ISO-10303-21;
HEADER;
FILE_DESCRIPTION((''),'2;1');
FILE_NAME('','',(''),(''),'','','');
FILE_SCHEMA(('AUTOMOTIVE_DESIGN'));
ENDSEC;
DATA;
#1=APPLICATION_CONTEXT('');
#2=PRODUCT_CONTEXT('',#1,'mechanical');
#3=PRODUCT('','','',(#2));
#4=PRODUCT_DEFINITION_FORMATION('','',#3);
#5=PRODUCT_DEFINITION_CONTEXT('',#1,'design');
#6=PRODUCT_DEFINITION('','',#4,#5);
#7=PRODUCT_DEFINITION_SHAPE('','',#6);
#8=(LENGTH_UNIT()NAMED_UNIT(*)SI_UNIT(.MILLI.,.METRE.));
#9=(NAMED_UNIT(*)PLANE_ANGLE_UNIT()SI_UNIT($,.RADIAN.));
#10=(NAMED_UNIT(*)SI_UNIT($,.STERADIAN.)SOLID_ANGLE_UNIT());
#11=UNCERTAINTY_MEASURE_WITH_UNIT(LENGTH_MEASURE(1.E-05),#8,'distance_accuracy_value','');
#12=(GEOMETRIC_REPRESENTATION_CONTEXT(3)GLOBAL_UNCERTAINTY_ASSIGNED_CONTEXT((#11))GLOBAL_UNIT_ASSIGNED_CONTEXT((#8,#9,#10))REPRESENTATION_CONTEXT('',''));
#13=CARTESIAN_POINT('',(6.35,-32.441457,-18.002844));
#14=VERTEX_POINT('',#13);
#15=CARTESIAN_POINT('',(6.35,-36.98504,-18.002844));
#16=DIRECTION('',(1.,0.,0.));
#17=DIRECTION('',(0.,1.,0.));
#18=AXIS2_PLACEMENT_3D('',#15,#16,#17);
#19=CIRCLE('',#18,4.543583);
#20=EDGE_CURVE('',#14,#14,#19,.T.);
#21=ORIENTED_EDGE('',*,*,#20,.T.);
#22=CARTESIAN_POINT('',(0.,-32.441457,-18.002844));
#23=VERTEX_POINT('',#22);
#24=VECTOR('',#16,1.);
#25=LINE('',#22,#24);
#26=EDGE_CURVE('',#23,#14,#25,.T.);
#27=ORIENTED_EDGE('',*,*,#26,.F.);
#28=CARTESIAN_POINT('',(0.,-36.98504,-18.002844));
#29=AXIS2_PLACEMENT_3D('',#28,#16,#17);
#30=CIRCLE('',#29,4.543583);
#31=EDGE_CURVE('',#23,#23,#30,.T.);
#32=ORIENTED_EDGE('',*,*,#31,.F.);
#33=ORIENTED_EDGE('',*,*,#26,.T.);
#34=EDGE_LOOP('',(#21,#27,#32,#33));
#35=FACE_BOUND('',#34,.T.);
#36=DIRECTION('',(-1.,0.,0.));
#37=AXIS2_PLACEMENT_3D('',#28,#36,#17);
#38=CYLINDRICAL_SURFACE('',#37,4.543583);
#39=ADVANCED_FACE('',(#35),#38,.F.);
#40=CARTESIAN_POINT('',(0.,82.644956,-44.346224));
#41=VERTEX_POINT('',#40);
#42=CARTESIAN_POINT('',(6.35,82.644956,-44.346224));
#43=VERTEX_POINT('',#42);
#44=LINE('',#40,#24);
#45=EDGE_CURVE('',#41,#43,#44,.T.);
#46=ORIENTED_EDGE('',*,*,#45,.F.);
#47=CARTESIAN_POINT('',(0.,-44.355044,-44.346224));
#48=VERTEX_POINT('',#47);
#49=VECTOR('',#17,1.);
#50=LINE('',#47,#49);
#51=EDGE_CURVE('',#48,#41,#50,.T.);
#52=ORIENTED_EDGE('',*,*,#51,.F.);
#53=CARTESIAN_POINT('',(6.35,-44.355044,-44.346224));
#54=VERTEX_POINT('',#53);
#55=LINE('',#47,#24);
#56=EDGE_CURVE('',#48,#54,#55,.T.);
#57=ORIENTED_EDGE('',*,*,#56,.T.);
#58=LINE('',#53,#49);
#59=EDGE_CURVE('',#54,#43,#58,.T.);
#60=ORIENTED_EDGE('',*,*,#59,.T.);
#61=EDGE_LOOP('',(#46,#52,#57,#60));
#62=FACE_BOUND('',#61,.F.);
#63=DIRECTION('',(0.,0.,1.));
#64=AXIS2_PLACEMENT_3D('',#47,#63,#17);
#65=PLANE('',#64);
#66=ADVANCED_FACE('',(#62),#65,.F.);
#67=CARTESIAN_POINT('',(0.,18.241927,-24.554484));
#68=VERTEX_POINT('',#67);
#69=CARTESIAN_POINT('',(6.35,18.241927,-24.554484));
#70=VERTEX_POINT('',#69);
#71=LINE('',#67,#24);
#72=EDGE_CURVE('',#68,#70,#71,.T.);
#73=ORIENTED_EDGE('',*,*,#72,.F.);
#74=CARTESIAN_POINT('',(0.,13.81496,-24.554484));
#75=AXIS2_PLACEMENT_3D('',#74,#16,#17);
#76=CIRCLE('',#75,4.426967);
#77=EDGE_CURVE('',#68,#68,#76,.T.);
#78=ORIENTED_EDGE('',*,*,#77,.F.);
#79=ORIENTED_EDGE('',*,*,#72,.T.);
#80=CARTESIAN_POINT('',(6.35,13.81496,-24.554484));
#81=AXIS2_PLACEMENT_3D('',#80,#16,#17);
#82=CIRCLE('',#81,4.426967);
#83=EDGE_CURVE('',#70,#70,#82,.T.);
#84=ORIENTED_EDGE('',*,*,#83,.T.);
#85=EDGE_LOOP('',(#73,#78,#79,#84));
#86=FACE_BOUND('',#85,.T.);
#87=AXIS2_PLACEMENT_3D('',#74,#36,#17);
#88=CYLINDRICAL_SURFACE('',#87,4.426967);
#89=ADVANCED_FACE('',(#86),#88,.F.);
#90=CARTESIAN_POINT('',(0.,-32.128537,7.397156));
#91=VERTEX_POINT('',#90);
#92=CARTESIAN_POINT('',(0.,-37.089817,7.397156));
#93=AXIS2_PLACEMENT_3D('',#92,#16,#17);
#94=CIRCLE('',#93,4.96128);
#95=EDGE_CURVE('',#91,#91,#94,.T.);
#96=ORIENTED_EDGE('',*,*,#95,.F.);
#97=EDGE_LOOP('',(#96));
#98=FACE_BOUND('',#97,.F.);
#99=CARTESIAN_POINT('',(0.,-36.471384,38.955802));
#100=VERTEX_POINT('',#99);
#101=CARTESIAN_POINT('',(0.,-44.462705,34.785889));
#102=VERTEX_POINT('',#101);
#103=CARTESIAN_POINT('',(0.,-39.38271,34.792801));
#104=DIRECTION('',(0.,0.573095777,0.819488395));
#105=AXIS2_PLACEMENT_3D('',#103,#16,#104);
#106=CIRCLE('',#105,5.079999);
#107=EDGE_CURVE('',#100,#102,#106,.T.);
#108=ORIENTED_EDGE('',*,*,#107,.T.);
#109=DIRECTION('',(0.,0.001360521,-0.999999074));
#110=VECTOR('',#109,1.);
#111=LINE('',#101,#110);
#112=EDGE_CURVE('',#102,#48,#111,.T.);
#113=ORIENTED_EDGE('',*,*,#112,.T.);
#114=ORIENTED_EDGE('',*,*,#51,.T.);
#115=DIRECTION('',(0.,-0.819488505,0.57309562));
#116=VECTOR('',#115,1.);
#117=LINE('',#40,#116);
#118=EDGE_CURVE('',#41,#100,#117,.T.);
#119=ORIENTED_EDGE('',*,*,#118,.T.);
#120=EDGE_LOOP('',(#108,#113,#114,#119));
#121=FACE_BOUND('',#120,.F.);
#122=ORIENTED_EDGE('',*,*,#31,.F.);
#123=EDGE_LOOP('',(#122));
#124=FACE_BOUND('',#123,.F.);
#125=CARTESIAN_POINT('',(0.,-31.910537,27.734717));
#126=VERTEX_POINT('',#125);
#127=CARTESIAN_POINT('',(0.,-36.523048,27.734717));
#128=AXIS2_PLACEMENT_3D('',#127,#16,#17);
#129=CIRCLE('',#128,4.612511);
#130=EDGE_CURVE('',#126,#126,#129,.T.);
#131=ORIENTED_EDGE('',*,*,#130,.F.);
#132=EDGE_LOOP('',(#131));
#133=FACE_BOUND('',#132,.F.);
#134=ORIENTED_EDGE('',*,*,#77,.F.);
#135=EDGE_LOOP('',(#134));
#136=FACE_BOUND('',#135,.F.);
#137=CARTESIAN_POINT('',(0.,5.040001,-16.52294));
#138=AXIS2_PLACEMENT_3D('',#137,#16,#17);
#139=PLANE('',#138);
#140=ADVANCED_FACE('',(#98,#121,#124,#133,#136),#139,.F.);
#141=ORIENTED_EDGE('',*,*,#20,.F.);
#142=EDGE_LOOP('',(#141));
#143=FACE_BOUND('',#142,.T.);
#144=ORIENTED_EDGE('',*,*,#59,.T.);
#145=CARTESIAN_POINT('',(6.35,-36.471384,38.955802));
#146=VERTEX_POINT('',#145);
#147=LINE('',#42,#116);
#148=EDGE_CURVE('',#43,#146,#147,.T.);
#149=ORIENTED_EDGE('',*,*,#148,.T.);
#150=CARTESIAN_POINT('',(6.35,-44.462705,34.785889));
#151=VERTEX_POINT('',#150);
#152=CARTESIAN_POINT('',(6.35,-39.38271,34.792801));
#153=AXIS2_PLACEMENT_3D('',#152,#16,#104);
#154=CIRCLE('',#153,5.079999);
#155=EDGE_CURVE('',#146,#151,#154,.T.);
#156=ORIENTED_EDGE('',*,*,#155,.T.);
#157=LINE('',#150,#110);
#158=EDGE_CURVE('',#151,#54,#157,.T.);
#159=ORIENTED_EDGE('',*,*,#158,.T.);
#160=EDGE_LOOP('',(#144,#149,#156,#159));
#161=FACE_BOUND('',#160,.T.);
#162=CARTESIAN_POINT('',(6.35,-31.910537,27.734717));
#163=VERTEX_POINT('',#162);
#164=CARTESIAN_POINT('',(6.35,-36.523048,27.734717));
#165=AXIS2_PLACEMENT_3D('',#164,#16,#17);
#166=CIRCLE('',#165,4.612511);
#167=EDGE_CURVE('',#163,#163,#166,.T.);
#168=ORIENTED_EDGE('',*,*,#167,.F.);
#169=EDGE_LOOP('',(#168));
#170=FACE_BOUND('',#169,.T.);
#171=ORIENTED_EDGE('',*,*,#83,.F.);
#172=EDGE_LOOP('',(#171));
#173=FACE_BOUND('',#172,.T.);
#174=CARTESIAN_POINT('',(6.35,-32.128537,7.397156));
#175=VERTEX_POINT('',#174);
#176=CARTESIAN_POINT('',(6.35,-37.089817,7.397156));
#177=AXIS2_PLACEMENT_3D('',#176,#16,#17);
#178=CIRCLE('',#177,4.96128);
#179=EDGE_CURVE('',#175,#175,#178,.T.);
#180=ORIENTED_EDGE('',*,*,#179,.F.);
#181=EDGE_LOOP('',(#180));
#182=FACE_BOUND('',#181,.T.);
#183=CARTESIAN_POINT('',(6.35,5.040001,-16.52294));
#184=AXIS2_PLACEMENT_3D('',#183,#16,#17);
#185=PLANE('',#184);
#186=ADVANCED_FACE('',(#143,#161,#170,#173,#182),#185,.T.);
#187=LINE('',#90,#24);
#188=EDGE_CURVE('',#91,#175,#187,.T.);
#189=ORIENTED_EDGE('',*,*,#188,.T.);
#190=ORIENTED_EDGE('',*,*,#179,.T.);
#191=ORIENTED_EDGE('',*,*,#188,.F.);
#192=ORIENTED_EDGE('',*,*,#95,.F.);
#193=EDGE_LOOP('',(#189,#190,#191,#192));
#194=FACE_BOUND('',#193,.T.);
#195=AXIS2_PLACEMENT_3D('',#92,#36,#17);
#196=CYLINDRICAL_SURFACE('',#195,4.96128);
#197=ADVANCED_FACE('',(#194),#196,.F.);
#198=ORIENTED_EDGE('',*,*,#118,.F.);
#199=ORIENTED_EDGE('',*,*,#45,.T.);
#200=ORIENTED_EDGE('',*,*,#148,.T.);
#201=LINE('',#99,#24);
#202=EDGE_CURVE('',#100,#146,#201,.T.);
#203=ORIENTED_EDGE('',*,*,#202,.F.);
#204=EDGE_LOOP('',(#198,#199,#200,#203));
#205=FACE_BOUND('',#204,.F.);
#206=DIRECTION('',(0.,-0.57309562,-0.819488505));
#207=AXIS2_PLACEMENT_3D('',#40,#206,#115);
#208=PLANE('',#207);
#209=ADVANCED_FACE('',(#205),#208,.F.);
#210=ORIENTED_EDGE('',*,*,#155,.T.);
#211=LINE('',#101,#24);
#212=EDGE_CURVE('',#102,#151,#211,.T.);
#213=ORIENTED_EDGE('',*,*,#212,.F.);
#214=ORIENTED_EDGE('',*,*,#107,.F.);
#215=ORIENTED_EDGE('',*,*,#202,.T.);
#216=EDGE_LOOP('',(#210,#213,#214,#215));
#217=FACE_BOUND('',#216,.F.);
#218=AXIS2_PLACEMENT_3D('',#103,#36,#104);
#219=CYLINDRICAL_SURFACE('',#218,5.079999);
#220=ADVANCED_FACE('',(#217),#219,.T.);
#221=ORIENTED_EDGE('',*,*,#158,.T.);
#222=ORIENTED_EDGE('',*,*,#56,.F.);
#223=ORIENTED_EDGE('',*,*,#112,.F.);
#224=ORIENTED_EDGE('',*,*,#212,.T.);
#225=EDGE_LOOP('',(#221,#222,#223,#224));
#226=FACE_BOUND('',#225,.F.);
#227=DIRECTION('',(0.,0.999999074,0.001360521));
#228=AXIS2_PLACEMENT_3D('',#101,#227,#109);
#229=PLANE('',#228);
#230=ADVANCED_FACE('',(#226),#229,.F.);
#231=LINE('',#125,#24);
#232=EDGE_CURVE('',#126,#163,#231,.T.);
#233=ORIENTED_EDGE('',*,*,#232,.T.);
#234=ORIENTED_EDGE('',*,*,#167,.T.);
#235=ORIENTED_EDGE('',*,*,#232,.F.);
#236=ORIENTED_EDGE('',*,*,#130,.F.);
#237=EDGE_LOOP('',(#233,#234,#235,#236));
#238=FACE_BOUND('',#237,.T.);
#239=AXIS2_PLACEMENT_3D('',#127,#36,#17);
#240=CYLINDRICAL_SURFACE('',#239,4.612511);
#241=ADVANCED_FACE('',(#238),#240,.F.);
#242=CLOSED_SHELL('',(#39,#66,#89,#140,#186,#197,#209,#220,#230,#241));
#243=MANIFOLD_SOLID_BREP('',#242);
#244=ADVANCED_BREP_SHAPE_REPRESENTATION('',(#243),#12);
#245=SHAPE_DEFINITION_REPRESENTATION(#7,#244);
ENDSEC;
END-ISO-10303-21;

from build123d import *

# Parameters (mm, degrees)
F0_R     = 4.426967
F0_R_2   = 4.543583
F0_R_3   = 4.96128
F0_R_4   = 4.612511
F1_DEPTH = 6.35


with BuildPart() as f1:
    # F0 (on Right) → F1 (new body)
    with BuildSketch(Plane.YZ):
        with BuildLine():
            Line((82.644956, -44.346224), (-36.471384, 38.955802))
            ThreePointArc((-36.471384, 38.955802), (-41.732779, 39.29653), (-44.462705, 34.785889))
            Line((-44.462705, 34.785889), (-44.355044, -44.346224))
            Line((-44.355044, -44.346224), (82.644956, -44.346224))
        make_face()
        with Locations((13.81496, -24.554484)):
            Circle(F0_R, mode=Mode.SUBTRACT)
        with Locations((-36.98504, -18.002844)):
            Circle(F0_R_2, mode=Mode.SUBTRACT)
        with Locations((-37.089817, 7.397156)):
            Circle(F0_R_3, mode=Mode.SUBTRACT)
        with Locations((-36.523048, 27.734717)):
            Circle(F0_R_4, mode=Mode.SUBTRACT)
    extrude(amount=F1_DEPTH)


solid = f1.part
